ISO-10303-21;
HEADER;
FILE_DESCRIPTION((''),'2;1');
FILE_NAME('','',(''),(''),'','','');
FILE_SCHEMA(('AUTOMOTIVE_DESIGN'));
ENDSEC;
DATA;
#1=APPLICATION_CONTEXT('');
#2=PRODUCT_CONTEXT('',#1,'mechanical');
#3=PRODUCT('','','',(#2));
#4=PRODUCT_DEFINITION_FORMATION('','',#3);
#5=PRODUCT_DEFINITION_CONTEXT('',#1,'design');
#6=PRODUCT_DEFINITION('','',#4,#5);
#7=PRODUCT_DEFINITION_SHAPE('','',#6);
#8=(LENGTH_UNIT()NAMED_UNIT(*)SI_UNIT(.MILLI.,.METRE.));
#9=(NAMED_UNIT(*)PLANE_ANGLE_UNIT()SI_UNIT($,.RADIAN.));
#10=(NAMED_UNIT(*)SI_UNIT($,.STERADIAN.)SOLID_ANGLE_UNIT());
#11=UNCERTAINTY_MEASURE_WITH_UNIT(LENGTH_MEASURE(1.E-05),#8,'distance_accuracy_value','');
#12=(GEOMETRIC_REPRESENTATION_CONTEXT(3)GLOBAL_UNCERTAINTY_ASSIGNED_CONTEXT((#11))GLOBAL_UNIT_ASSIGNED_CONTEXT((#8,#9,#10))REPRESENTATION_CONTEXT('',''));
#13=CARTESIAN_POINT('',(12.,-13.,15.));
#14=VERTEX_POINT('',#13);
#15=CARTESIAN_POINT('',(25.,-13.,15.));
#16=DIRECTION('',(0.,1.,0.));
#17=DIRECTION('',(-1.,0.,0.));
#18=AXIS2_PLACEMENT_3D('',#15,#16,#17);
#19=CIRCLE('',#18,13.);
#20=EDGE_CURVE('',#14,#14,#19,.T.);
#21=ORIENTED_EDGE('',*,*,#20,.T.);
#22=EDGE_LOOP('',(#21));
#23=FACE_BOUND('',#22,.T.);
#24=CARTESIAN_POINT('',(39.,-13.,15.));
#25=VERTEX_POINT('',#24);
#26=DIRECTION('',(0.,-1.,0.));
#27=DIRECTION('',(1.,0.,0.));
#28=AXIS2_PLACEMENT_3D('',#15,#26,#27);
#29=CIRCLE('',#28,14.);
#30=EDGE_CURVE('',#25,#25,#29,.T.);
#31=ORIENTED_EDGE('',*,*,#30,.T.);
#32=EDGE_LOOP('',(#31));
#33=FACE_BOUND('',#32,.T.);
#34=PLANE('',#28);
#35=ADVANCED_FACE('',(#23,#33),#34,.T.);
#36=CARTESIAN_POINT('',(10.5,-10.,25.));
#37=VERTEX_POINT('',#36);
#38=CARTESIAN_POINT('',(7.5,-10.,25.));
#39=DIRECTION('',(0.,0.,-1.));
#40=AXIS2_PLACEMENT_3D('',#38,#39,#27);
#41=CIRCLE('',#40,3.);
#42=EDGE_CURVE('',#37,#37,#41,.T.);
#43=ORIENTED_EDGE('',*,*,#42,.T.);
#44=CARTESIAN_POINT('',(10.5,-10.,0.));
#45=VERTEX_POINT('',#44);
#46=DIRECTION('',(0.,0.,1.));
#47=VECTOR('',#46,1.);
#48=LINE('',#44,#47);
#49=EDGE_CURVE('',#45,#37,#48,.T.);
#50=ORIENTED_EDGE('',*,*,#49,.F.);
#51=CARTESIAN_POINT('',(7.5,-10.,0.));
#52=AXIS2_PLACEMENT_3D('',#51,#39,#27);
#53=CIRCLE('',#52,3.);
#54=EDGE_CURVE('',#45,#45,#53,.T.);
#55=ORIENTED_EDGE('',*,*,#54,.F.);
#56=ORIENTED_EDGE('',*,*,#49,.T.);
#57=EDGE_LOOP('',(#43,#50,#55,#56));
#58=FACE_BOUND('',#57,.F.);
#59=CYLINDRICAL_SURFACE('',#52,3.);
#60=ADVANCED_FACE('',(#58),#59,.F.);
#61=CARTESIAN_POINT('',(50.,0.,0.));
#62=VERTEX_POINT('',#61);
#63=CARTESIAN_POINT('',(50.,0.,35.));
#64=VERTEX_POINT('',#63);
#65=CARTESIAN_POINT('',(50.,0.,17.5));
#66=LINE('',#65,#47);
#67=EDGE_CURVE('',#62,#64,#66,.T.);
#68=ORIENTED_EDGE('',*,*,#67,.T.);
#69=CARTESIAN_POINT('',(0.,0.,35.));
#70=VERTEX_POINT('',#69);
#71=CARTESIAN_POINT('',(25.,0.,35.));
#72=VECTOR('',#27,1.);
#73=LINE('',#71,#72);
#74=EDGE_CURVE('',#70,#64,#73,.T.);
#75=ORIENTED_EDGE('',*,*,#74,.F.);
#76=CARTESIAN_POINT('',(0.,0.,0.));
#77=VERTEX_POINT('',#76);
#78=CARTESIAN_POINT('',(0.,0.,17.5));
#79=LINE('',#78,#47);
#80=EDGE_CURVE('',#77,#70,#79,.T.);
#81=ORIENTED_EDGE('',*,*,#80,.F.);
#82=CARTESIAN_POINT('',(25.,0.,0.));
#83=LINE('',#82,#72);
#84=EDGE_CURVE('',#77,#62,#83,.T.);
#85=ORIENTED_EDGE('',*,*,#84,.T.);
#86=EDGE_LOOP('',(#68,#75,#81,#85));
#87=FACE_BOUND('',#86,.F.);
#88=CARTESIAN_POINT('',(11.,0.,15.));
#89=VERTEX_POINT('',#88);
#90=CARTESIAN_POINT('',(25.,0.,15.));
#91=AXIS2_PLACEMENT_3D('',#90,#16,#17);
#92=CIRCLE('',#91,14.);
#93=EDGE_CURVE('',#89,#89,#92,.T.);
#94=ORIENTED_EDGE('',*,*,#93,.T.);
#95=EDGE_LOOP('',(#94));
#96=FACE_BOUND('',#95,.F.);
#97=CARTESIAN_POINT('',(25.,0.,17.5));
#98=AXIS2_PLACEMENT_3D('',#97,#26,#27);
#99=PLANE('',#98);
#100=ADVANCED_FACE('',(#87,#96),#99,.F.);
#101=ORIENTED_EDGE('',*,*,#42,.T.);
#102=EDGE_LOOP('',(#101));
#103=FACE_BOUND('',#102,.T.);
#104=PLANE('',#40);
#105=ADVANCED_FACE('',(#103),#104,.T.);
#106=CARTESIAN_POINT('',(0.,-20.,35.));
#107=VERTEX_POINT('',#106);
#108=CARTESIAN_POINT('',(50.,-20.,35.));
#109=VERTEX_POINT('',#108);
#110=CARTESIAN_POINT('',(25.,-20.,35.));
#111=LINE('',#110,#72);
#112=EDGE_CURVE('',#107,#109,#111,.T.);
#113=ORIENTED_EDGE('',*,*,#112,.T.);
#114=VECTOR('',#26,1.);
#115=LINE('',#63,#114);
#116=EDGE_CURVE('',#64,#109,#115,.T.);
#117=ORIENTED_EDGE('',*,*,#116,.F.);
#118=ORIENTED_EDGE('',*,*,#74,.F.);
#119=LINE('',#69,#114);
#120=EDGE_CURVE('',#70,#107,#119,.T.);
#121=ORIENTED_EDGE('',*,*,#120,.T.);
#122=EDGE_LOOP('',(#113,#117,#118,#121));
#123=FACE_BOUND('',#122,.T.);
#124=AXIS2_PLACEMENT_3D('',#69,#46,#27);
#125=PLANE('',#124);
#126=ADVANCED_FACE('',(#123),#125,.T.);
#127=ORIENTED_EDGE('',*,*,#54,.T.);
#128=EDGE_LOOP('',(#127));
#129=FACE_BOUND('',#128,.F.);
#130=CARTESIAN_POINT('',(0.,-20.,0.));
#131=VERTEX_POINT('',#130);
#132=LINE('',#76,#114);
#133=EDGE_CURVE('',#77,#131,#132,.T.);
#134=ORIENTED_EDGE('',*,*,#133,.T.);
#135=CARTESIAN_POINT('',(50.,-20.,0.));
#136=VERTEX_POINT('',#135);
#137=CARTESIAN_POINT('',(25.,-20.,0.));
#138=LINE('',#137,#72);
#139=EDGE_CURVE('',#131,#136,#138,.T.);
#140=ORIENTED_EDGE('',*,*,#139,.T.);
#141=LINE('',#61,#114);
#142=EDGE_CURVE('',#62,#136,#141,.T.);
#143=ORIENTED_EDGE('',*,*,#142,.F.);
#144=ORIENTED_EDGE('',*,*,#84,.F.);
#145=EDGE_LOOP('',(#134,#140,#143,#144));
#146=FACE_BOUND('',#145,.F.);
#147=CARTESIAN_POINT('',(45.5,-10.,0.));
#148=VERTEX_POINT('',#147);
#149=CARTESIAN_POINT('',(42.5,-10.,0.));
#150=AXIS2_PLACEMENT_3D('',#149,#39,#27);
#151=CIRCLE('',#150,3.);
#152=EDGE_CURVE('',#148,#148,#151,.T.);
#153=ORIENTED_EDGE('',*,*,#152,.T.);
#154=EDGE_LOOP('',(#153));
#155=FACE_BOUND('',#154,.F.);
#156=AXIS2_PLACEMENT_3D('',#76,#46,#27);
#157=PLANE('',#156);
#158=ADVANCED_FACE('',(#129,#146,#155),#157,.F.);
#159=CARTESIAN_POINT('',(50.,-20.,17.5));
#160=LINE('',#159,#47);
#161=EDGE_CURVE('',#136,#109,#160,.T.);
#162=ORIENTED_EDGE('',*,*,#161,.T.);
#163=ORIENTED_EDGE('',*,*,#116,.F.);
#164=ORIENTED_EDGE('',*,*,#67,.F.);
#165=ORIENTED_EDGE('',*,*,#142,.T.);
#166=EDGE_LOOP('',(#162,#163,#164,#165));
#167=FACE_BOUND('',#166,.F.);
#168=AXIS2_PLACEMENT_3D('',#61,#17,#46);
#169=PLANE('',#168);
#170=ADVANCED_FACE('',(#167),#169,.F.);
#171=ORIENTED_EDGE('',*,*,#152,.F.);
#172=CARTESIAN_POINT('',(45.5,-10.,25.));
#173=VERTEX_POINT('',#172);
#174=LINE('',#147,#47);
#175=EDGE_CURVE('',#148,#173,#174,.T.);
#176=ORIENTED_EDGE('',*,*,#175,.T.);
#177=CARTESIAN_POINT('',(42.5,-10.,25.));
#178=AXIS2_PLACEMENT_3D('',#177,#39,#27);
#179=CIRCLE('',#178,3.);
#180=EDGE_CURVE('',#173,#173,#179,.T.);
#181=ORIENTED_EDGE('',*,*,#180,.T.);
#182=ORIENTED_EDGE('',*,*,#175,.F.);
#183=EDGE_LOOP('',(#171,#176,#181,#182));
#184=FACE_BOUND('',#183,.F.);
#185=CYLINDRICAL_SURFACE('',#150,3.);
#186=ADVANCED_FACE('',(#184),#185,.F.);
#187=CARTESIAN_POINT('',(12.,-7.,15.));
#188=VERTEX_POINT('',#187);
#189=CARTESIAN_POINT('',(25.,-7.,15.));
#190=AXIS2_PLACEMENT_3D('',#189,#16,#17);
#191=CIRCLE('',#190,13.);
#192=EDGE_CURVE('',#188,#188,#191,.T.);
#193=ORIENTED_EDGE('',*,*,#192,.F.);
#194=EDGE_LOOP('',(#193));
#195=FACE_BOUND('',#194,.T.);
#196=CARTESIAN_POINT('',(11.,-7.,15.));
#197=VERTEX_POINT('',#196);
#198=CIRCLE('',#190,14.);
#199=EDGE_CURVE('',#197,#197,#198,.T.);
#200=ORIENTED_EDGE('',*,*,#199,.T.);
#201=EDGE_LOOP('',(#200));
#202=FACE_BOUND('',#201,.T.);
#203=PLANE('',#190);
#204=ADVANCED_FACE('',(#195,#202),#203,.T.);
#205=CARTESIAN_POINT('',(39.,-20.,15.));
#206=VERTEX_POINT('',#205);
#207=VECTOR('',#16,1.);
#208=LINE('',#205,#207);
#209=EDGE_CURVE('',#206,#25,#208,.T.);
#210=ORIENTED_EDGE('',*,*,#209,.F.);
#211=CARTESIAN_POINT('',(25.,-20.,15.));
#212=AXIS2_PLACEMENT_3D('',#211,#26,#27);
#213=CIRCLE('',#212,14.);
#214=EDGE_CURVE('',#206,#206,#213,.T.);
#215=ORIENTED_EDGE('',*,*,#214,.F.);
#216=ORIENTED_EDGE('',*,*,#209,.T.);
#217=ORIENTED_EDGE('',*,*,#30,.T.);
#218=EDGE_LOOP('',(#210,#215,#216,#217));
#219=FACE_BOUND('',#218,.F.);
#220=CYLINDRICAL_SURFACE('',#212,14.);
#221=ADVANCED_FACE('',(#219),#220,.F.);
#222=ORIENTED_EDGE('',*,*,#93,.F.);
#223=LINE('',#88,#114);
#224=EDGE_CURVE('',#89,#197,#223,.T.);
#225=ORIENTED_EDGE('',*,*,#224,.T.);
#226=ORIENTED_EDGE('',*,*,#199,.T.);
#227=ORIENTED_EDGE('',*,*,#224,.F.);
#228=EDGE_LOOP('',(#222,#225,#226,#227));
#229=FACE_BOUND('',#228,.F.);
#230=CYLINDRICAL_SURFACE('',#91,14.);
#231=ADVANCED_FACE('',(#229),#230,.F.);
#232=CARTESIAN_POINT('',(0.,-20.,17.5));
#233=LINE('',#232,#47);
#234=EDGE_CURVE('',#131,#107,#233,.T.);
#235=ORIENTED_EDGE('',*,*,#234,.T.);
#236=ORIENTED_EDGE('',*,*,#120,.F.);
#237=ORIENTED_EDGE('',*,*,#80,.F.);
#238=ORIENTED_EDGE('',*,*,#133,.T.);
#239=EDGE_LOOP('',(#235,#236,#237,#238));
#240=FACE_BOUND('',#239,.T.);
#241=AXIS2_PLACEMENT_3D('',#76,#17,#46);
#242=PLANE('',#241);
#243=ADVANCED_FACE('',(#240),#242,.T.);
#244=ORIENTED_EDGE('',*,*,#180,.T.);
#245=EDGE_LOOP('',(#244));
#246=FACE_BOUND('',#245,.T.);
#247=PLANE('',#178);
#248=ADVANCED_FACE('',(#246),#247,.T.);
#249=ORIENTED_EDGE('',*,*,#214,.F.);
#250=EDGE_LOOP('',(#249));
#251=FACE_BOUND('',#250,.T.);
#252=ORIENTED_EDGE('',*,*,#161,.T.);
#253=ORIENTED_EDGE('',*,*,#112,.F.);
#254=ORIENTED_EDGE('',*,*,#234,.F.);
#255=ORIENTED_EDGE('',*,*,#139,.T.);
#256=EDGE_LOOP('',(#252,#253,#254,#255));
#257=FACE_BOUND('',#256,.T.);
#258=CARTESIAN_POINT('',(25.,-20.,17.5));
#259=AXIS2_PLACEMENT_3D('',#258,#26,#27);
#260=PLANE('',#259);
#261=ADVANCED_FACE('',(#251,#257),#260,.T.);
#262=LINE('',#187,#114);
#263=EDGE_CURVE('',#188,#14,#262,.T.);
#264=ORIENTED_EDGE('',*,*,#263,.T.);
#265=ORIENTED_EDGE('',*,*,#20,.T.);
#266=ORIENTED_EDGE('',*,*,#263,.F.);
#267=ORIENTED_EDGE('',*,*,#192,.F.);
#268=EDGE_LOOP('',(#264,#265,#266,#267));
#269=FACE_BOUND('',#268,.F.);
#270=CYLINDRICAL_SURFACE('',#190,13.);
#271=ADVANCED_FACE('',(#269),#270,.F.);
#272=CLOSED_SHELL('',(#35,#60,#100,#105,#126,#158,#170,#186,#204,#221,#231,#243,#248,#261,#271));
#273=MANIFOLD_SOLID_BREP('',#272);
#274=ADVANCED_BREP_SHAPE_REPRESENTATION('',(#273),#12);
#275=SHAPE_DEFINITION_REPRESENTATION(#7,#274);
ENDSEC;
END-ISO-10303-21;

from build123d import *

# Parameters (mm, degrees)
F0_W     = 50
F0_H     = 35
F1_DEPTH = 20
F2_R     = 14
F3_DEPTH = 7
F4_R     = 14
F5_DEPTH = 7
F6_R     = 13
F7_DEPTH = 13.001
F8_R     = 3
F9_DEPTH = 25


with BuildPart() as f1:
    # F0 (on Front) → F1 (new body)
    with BuildSketch(Plane.XZ):
        with Locations((25, 17.5)):
            Rectangle(F0_W, F0_H)
    extrude(amount=F1_DEPTH)

    # F2 (on face) → F3 (cut)
    with BuildSketch(Plane.XZ.offset(20)):
        with Locations((25, 15)):
            Circle(F2_R)
    extrude(amount=-F3_DEPTH, mode=Mode.SUBTRACT)

    # F4 (on face) → F5 (cut)
    with BuildSketch(Plane(origin=(0, 0, 0), x_dir=(-1, 0, 0), z_dir=(0, 1, 0))):
        with Locations((-25, 15)):
            Circle(F4_R)
    extrude(amount=-F5_DEPTH, mode=Mode.SUBTRACT)

    # F6 (on face) → F7 (cut, through all)
    with BuildSketch(Plane(origin=(0, -7, 0), x_dir=(-1, 0, 0), z_dir=(0, 1, 0))):
        with Locations((-25, 15)):
            Circle(F6_R)
    extrude(amount=-F7_DEPTH, mode=Mode.SUBTRACT)

    # F8 (on face) → F9 (cut)
    with BuildSketch(Plane(origin=(0, 0, 0), x_dir=(1, 0, 0), z_dir=(0, 0, -1))):
        with Locations((7.5, 10)):
            Circle(F8_R)
        with Locations((42.5, 10)):
            Circle(F8_R)
    extrude(amount=-F9_DEPTH, mode=Mode.SUBTRACT)


solid = f1.part
